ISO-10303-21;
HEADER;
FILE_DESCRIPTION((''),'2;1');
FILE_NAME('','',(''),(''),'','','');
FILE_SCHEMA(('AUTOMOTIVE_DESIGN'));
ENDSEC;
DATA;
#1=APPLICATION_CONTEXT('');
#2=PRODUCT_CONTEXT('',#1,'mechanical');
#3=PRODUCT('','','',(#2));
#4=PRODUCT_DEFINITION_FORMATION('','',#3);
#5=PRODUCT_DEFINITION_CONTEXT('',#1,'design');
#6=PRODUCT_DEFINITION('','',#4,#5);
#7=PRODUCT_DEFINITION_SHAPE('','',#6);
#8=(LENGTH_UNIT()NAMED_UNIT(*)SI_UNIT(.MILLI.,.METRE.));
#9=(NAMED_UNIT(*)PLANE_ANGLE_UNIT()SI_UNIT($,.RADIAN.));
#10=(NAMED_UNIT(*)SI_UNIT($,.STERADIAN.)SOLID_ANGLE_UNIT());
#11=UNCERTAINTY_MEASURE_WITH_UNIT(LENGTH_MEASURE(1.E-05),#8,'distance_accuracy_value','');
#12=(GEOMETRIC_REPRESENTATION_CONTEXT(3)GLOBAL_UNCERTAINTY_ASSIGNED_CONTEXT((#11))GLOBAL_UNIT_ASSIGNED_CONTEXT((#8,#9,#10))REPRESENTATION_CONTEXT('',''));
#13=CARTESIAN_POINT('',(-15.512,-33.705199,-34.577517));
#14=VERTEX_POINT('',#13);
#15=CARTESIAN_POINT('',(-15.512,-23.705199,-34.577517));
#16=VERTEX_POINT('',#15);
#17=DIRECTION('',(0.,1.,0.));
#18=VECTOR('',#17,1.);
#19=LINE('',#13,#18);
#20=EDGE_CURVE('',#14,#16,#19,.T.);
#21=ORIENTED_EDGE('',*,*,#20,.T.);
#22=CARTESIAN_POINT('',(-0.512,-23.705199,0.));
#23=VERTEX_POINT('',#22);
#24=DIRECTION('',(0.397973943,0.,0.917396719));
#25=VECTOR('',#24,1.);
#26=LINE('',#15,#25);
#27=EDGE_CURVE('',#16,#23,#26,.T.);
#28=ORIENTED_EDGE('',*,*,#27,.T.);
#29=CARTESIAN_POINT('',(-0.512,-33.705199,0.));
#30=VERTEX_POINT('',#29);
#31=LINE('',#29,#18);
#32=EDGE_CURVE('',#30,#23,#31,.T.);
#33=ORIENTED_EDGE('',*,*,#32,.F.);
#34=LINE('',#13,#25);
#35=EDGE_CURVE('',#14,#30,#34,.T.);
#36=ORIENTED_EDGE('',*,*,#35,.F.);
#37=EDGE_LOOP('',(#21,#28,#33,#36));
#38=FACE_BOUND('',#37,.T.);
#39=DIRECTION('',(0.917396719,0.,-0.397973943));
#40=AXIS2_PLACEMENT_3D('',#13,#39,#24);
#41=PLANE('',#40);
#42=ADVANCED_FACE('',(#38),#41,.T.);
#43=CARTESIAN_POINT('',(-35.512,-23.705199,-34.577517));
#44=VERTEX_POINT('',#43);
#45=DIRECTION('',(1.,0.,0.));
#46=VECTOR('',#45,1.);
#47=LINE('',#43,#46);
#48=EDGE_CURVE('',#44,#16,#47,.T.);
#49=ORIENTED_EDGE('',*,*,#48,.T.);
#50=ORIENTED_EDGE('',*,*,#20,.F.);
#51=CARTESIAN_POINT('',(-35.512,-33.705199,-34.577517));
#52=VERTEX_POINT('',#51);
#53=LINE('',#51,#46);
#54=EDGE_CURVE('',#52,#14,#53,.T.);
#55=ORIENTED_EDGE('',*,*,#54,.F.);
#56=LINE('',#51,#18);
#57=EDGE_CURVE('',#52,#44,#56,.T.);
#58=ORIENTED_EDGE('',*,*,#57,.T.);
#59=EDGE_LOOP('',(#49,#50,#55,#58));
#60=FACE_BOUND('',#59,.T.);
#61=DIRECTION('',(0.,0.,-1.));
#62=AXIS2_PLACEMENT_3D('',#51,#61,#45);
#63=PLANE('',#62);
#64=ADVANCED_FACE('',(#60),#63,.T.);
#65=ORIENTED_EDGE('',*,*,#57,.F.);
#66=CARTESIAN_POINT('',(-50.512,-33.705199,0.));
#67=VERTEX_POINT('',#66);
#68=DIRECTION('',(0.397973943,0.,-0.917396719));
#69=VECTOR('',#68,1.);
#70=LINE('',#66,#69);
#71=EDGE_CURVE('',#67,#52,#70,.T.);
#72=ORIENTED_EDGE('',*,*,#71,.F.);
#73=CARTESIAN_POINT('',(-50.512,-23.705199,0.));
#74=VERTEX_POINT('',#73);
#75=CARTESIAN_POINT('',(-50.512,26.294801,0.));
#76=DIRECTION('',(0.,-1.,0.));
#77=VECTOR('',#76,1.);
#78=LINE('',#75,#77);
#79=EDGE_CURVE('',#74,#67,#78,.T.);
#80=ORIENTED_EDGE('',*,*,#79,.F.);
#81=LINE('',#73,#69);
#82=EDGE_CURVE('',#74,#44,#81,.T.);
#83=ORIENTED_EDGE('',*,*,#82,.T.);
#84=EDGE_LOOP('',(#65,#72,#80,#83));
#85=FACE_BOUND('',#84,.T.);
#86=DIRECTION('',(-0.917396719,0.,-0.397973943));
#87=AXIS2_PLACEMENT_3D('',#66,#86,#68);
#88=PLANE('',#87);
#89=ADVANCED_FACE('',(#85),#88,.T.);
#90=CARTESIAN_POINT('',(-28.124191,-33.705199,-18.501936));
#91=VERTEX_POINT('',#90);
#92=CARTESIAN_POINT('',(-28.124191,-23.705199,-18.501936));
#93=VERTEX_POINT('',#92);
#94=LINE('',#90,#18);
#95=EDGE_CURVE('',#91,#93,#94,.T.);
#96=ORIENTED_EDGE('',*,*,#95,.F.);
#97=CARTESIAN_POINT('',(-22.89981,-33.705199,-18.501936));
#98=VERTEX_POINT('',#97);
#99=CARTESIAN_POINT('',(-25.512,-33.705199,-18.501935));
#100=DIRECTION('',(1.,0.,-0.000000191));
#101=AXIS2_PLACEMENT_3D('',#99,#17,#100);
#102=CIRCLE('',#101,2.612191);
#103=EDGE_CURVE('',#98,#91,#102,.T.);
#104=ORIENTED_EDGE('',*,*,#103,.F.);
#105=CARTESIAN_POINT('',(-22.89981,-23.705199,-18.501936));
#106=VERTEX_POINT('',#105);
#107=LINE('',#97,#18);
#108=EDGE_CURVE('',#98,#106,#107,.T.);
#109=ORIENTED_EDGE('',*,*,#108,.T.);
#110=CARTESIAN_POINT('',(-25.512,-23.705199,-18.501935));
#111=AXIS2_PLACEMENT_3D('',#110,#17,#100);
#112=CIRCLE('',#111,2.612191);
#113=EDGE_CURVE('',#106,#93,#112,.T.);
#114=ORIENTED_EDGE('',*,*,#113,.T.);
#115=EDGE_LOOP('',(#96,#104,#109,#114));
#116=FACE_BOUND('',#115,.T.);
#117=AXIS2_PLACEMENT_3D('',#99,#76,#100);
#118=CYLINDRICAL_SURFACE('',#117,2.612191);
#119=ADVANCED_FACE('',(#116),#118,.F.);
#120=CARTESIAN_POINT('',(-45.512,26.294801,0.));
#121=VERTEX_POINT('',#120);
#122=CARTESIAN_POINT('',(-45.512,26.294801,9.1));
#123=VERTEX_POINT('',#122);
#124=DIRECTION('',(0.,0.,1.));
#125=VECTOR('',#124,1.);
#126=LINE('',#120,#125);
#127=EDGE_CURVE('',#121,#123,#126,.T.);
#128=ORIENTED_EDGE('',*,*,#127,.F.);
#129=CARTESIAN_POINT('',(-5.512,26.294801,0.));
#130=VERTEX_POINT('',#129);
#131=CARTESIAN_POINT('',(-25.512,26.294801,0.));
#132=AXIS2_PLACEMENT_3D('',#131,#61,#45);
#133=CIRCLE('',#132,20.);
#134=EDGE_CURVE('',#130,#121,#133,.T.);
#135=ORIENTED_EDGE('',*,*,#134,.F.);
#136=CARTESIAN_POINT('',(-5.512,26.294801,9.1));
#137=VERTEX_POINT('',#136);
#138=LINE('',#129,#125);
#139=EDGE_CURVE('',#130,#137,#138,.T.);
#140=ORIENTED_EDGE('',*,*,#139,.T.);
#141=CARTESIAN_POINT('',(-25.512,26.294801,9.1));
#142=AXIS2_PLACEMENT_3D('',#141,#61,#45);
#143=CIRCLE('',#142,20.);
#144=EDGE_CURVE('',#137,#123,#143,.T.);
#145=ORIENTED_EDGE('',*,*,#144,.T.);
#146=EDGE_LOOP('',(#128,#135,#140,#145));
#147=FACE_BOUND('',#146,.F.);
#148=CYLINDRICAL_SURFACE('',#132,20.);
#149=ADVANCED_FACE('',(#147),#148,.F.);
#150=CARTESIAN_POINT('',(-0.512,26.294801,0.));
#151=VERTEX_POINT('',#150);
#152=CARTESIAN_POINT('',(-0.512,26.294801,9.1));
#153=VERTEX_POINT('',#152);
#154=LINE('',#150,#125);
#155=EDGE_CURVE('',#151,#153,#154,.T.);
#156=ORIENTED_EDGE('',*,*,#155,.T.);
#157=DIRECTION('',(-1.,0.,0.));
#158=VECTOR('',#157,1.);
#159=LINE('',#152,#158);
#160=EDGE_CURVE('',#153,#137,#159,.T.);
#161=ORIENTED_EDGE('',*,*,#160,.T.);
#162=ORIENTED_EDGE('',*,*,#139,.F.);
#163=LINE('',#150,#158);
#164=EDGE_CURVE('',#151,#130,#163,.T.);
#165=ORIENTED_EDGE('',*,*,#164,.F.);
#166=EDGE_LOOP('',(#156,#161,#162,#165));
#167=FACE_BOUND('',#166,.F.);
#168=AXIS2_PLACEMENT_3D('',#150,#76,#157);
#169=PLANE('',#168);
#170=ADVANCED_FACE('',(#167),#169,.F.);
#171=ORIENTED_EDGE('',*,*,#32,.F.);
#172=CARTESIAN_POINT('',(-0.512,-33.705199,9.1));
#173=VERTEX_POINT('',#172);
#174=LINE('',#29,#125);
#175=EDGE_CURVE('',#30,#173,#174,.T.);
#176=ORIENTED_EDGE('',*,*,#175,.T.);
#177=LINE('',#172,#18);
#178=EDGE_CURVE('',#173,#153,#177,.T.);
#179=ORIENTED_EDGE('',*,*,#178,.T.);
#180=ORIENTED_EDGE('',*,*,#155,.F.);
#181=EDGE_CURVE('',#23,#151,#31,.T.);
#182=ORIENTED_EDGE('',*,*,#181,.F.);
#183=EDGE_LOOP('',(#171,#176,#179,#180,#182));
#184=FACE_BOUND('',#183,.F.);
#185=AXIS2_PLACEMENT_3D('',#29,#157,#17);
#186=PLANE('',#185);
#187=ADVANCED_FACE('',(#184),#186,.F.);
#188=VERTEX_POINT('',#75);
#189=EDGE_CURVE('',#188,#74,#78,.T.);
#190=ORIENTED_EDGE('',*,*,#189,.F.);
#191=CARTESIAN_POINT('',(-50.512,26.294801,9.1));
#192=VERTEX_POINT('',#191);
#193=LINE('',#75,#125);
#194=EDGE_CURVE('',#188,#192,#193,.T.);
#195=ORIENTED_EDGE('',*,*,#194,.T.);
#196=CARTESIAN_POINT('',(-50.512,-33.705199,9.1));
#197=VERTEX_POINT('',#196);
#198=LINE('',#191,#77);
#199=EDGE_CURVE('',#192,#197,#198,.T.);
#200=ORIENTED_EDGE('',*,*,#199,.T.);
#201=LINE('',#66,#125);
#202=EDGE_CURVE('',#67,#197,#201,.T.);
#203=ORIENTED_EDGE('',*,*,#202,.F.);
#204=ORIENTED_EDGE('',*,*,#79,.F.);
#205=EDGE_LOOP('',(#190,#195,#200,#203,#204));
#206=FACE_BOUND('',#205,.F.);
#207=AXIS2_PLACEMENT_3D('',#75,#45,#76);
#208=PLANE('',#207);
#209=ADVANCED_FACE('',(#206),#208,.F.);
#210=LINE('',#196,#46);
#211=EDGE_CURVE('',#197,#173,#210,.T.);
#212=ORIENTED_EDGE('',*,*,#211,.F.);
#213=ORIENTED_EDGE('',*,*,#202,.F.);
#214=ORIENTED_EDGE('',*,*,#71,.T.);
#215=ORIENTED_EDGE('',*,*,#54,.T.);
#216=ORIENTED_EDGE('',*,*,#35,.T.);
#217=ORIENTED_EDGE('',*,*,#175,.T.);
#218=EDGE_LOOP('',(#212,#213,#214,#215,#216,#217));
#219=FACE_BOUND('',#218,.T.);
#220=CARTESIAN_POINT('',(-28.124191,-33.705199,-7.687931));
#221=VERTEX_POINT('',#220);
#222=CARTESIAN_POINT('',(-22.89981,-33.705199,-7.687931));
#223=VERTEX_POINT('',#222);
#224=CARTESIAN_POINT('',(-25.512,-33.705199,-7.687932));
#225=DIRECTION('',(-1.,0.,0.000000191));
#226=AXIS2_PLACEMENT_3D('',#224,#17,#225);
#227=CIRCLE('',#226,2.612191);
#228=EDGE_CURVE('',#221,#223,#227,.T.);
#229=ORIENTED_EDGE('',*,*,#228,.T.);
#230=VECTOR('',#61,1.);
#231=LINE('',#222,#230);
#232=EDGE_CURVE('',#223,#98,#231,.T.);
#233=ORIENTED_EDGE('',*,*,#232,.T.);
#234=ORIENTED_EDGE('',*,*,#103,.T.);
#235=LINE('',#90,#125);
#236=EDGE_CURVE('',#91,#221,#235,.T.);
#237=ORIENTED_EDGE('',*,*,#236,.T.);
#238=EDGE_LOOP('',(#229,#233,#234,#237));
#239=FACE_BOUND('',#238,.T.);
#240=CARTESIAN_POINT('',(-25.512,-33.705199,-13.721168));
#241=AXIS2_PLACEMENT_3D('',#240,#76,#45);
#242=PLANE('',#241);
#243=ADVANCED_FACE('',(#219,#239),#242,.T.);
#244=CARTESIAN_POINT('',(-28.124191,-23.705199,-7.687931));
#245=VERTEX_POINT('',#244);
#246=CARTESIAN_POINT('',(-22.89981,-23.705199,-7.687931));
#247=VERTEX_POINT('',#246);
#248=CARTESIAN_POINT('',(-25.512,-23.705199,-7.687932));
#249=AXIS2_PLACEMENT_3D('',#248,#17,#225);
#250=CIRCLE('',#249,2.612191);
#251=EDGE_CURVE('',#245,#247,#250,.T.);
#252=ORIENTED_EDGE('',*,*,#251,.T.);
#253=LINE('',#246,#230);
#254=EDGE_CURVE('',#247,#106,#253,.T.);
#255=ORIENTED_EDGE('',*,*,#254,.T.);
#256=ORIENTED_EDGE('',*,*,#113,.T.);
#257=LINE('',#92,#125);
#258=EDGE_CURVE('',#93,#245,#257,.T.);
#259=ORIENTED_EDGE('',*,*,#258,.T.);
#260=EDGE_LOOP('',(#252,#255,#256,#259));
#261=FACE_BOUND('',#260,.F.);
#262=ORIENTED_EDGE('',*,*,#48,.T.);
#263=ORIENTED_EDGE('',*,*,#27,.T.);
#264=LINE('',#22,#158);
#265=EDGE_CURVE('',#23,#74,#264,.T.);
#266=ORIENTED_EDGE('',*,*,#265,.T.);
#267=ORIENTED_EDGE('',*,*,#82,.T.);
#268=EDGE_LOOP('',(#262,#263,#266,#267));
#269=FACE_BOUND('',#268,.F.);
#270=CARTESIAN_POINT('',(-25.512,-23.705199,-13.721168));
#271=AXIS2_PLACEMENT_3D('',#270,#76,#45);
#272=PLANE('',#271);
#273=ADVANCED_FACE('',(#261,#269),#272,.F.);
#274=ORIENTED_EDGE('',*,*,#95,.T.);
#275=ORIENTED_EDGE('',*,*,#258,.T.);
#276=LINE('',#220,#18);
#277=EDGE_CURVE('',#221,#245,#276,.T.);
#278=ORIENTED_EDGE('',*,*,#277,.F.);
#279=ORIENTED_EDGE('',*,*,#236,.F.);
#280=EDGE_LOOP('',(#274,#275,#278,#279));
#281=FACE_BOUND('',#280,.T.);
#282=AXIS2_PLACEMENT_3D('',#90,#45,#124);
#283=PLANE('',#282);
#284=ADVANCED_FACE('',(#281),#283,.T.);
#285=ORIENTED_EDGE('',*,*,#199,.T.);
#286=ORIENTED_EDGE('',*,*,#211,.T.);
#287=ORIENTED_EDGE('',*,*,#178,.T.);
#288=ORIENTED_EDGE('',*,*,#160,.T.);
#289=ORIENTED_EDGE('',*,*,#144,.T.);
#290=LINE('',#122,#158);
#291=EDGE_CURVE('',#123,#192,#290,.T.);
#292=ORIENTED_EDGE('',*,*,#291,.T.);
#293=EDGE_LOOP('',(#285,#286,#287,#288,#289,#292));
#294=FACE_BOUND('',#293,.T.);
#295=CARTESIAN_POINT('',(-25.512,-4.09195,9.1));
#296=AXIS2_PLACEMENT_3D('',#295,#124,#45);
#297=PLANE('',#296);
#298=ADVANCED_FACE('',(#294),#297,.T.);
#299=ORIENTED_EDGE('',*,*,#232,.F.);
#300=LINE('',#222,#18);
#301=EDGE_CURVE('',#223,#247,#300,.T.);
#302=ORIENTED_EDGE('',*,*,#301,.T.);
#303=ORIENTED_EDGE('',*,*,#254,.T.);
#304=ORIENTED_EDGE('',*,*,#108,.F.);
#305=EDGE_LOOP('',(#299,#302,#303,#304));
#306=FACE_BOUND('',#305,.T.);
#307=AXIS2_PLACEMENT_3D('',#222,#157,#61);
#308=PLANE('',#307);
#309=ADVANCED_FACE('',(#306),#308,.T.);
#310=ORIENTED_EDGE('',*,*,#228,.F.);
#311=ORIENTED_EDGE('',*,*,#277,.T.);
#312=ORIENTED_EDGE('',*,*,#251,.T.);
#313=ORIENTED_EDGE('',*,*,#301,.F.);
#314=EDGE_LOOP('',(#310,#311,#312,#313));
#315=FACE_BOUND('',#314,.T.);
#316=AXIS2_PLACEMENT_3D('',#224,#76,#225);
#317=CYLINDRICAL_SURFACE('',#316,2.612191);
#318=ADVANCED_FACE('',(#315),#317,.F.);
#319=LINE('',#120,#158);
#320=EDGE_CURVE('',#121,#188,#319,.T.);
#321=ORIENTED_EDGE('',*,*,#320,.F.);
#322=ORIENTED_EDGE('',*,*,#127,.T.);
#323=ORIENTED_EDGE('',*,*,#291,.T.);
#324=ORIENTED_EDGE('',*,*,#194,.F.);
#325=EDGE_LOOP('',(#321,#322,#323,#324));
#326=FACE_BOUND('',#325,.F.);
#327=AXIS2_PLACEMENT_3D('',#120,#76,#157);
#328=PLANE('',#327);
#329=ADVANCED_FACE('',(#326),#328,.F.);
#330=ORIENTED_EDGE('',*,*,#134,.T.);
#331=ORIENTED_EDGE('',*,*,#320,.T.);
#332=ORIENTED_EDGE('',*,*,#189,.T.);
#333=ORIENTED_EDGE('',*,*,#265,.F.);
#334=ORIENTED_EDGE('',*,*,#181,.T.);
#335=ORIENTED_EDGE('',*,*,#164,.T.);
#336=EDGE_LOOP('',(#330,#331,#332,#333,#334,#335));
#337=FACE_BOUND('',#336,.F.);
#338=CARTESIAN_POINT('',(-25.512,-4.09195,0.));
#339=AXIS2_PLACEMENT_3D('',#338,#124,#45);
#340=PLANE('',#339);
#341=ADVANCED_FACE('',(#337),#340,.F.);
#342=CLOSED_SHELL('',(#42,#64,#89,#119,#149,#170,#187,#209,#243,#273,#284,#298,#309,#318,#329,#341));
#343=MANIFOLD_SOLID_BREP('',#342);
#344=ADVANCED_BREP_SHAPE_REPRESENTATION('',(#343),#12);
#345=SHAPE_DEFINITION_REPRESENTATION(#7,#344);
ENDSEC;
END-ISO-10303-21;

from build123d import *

# Parameters (mm, degrees)
F1_DEPTH = 9.1
F3_DEPTH = 10


with BuildPart() as f1:
    # F0 (on Top) → F1 (new body)
    with BuildSketch(Plane.XY):
        with BuildLine():
            Line((-45.512, 26.294801), (-50.512, 26.294801))
            Line((-50.512, 26.294801), (-50.512, -33.705199))
            Line((-50.512, -33.705199), (-0.512, -33.705199))
            Line((-0.512, -33.705199), (-0.512, 26.294801))
            Line((-0.512, 26.294801), (-5.512, 26.294801))
            ThreePointArc((-5.512, 26.294801), (-25.512, 6.294801), (-45.512, 26.294801))
        make_face()
    extrude(amount=F1_DEPTH)

    # F2 (on face) → F3 (join)
    with BuildSketch(Plane.XZ.offset(33.705199)):
        Polygon((-0.512, 0), (-50.512, 0), (-35.512, -34.577517), (-15.512, -34.577517), align=None)
        with BuildLine():
            ThreePointArc((-28.124191, -7.687931), (-25.512, -5.075741), (-22.89981, -7.687931))
            Line((-22.89981, -7.687931), (-22.89981, -18.501936))
            ThreePointArc((-22.89981, -18.501936), (-25.512, -21.114126), (-28.124191, -18.501936))
            Line((-28.124191, -18.501936), (-28.124191, -7.687931))
        make_face(mode=Mode.SUBTRACT)
    extrude(amount=-F3_DEPTH)


solid = f1.part
